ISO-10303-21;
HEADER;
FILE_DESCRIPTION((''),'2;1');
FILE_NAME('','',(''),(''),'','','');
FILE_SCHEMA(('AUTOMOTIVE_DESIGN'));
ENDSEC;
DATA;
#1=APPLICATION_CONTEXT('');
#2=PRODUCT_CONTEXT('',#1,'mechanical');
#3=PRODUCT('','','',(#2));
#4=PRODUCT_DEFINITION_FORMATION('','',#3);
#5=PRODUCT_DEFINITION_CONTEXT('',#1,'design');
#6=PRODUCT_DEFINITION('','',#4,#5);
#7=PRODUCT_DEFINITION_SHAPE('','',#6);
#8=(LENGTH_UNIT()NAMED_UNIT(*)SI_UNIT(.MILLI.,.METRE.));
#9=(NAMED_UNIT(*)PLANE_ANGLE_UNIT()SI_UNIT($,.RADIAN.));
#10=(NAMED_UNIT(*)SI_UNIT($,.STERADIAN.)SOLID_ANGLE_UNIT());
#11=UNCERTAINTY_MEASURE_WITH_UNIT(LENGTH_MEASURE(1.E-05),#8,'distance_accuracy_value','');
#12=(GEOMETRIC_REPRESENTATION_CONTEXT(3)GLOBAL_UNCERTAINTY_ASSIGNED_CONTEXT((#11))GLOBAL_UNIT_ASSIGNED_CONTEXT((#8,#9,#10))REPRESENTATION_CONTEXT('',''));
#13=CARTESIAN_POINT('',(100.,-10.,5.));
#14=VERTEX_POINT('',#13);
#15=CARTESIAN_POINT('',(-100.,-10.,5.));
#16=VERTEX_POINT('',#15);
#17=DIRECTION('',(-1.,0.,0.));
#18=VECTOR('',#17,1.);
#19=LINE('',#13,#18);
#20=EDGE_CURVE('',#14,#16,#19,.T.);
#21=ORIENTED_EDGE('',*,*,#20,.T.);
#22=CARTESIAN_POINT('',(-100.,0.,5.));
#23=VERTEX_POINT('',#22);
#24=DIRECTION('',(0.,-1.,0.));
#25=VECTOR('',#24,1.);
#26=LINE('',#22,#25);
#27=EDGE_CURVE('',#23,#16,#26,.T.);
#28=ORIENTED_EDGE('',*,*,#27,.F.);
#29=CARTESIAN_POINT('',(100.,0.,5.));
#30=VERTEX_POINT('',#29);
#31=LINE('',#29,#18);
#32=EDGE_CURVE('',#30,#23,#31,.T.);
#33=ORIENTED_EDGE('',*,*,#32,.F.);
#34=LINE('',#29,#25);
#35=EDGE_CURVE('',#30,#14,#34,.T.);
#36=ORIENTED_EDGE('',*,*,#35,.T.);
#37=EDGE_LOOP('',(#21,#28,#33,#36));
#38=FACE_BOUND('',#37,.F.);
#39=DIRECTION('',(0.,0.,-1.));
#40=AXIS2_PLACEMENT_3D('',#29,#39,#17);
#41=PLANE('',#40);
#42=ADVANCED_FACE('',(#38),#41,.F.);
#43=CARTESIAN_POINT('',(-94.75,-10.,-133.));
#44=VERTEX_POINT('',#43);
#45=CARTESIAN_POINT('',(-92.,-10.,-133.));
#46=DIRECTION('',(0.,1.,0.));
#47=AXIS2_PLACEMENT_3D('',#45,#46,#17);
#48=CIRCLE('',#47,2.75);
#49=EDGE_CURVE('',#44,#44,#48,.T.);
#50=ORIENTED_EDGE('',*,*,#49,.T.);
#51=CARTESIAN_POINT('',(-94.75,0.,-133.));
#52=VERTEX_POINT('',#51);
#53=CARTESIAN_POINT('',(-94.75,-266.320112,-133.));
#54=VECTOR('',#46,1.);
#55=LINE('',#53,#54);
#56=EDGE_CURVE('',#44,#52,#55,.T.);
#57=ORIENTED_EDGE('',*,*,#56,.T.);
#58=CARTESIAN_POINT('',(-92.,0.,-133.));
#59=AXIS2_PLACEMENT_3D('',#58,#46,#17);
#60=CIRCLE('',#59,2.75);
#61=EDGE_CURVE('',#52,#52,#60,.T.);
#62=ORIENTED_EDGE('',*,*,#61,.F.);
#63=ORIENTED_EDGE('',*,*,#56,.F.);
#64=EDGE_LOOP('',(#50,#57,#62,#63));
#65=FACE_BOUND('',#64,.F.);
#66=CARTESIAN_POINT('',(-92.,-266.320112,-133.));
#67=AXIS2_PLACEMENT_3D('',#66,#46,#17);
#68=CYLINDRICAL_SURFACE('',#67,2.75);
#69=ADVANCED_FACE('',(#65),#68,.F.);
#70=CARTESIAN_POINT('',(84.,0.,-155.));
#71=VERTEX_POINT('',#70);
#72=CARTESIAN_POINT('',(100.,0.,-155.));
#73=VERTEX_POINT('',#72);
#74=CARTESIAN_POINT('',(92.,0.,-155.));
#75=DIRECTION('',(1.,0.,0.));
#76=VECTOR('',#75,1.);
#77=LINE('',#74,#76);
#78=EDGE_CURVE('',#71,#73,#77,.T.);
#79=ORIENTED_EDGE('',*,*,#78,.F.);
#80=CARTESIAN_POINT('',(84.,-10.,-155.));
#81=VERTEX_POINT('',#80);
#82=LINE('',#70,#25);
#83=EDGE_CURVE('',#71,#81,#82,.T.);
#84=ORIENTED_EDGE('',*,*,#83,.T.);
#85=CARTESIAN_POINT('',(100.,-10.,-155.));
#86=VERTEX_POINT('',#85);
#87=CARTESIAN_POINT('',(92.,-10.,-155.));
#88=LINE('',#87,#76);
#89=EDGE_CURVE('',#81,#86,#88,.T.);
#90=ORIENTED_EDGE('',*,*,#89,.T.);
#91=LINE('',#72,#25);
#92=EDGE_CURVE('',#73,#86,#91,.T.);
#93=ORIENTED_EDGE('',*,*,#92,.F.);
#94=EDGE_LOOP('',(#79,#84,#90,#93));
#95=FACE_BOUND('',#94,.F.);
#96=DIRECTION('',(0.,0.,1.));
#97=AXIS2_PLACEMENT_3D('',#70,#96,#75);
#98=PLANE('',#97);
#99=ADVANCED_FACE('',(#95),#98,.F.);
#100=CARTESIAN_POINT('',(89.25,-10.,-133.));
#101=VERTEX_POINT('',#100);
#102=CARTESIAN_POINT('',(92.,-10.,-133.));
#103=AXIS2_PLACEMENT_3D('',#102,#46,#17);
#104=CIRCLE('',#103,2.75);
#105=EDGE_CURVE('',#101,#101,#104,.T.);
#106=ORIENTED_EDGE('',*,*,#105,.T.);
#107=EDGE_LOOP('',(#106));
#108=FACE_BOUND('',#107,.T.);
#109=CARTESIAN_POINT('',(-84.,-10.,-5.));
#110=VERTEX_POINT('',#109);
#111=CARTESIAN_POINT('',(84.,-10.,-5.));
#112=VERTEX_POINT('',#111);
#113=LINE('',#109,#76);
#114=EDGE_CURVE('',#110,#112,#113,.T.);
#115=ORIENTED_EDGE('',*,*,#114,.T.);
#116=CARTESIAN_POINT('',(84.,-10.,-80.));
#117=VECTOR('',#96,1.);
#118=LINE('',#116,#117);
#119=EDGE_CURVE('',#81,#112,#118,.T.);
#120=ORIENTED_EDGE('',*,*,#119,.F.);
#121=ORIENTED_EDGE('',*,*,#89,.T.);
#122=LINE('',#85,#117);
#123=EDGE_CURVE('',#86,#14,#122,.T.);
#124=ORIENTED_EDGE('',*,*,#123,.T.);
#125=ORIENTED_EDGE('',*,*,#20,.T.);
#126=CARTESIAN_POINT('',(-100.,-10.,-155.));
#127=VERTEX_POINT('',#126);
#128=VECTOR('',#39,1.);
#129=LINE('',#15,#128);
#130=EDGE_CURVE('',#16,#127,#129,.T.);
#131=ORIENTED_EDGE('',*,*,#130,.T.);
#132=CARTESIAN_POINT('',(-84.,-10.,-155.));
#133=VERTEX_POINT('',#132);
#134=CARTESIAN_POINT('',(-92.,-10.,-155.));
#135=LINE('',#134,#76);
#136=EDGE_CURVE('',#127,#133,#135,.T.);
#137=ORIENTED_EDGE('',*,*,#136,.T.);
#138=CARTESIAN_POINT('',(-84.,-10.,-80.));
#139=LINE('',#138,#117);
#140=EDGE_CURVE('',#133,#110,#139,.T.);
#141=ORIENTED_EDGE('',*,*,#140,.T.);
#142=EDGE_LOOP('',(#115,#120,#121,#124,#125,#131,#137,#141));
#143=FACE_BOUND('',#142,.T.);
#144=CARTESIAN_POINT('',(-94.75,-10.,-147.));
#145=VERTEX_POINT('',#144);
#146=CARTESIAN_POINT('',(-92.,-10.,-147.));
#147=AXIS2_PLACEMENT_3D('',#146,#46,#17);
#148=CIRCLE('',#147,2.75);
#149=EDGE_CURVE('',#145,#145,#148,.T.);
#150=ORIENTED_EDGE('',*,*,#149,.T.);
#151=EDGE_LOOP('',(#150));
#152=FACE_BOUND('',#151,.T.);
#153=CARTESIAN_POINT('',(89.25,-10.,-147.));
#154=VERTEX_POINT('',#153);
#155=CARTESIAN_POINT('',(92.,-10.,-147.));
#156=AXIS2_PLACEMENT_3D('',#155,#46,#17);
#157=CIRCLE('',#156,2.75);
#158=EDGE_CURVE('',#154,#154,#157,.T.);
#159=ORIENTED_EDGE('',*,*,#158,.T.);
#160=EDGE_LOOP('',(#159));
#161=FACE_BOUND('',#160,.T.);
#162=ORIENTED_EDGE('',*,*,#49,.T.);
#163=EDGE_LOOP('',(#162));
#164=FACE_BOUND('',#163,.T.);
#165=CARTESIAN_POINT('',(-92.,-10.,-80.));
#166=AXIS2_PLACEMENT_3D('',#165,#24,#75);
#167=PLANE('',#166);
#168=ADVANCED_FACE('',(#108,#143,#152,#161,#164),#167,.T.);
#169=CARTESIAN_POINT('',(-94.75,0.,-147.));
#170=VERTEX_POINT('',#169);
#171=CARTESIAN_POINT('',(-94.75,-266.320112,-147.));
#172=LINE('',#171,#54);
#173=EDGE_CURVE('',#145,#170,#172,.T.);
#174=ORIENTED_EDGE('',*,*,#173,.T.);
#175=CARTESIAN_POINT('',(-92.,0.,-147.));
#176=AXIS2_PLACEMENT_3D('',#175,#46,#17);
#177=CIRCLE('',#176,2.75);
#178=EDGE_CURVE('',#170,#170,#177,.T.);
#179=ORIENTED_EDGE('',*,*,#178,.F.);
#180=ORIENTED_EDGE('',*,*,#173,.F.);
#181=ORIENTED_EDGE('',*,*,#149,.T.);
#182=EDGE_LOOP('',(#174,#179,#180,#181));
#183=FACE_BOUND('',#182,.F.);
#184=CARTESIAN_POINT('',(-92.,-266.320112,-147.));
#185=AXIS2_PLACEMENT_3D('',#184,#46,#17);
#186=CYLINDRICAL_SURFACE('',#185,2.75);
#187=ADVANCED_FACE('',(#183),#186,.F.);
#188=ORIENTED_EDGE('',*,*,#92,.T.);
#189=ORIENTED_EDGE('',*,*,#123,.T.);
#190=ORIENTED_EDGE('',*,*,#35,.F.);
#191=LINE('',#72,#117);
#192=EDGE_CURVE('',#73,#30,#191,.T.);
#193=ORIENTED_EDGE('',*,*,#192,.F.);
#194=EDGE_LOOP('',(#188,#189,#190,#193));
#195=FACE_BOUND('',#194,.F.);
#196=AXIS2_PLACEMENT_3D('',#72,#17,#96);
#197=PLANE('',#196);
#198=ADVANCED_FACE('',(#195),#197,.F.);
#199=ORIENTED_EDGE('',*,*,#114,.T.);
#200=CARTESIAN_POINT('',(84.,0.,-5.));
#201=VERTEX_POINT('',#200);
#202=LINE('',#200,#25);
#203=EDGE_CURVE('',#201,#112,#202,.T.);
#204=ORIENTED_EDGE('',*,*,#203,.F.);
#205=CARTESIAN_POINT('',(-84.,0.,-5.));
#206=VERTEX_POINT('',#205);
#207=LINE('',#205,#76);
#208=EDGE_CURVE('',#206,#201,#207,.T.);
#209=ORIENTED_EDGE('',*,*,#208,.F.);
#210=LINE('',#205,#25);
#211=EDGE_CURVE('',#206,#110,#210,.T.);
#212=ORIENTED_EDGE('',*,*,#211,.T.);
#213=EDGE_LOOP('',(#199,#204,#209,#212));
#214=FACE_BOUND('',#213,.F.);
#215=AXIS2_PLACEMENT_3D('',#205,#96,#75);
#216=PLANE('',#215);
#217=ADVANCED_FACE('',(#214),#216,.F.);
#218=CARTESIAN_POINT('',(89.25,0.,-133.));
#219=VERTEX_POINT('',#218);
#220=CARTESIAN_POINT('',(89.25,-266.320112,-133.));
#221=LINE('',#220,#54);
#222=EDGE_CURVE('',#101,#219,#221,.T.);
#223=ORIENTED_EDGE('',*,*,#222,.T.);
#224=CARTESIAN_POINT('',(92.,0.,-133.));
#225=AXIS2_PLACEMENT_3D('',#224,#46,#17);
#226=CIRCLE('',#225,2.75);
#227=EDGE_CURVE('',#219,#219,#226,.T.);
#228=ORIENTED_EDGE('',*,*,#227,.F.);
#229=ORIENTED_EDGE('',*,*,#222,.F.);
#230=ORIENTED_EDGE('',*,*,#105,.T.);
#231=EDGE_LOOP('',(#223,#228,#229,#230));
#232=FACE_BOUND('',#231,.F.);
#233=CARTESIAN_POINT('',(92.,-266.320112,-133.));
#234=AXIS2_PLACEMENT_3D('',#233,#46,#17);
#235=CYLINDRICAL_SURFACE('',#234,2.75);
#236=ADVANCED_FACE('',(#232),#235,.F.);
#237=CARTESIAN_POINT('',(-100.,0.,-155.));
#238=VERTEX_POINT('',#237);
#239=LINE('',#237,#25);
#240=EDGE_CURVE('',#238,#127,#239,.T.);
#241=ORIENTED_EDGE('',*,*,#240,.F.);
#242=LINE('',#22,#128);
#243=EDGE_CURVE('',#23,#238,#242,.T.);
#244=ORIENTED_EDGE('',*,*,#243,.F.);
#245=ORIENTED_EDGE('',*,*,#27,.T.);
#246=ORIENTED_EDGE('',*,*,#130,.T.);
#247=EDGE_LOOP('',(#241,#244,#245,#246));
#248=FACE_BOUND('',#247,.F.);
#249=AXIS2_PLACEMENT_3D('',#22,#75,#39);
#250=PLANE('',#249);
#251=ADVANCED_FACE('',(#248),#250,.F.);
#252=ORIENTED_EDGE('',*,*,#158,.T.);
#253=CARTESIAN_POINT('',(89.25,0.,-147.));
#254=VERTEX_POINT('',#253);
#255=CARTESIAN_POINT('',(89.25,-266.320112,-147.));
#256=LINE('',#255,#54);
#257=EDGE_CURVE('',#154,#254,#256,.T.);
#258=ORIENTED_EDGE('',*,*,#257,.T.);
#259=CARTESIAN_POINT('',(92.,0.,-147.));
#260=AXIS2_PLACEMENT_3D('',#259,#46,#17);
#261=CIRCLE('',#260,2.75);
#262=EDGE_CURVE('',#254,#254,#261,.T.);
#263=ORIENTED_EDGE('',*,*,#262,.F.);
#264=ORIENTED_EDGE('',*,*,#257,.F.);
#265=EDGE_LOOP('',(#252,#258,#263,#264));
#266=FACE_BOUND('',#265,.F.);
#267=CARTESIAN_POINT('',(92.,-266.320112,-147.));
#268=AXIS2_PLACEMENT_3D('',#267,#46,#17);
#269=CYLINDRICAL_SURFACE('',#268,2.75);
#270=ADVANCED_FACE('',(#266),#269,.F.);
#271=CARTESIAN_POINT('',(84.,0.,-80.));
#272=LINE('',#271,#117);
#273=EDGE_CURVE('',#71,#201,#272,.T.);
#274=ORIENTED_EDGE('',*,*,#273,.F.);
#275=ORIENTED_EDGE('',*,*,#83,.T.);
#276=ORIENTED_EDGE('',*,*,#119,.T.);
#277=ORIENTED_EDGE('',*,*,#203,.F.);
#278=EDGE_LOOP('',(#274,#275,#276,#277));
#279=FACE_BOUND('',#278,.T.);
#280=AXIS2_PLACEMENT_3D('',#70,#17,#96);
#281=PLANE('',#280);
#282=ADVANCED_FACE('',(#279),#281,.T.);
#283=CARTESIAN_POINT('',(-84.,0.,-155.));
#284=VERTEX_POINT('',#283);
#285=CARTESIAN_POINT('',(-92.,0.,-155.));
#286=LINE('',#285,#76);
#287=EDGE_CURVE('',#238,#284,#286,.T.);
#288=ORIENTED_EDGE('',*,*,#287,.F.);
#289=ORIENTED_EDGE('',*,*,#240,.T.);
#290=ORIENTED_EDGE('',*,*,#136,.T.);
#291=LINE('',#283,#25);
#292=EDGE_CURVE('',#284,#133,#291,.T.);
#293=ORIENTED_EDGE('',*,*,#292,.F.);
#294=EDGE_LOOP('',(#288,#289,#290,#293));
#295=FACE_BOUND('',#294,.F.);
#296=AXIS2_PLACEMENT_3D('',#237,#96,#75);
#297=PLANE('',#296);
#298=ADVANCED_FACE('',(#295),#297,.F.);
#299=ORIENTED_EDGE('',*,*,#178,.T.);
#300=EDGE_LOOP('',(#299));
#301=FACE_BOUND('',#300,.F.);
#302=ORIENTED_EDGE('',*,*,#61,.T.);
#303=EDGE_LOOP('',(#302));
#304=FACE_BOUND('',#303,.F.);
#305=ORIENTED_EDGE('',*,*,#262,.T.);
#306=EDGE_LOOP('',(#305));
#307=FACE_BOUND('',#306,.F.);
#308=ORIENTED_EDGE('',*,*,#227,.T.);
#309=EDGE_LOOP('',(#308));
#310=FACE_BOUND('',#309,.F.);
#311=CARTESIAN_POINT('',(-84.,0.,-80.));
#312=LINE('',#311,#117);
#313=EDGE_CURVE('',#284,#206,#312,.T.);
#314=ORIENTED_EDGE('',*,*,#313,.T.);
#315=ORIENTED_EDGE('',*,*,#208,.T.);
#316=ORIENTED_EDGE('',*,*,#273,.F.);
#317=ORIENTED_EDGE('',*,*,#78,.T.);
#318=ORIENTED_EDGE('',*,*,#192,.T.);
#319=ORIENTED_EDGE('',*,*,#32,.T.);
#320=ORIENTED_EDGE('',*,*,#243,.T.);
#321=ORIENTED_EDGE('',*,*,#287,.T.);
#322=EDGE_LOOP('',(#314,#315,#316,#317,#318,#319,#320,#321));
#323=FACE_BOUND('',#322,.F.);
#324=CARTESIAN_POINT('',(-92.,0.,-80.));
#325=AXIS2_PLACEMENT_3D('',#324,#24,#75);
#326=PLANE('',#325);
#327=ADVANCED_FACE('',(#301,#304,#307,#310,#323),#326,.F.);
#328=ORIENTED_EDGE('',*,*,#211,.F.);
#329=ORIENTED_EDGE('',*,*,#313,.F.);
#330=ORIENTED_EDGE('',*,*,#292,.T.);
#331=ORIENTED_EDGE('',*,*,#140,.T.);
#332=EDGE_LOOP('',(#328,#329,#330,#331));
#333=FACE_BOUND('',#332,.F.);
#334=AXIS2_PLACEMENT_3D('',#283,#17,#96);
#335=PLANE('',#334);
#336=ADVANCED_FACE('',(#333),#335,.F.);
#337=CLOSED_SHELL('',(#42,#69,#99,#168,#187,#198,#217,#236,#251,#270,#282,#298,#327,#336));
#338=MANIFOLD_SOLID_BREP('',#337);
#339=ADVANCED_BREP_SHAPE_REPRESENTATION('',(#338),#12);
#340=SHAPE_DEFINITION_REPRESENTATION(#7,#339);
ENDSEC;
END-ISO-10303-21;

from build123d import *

# Parameters (mm, degrees)
F0_W     = 16
F0_H     = 150
F1_DEPTH = 10
F3_D     = 5.5


with BuildPart() as f1:
    # F0 (on Front) → F1 (new body)
    with BuildSketch(Plane.XZ):
        with Locations((-92, -80)):
            Rectangle(F0_W, F0_H)
        with Locations((92, -80)):
            Rectangle(F0_W, F0_H)
        Polygon((100, -5), (100, 5), (-100, 5), (-100, -5), (-84, -5), (84, -5), align=None)
    extrude(amount=F1_DEPTH)

    # F3 (through all)
    with Locations(Plane.XZ.offset(10)):
        with Locations((-92, -147), (-92, -133), (92, -133), (92, -147)):
            Hole(F3_D / 2)


solid = f1.part
